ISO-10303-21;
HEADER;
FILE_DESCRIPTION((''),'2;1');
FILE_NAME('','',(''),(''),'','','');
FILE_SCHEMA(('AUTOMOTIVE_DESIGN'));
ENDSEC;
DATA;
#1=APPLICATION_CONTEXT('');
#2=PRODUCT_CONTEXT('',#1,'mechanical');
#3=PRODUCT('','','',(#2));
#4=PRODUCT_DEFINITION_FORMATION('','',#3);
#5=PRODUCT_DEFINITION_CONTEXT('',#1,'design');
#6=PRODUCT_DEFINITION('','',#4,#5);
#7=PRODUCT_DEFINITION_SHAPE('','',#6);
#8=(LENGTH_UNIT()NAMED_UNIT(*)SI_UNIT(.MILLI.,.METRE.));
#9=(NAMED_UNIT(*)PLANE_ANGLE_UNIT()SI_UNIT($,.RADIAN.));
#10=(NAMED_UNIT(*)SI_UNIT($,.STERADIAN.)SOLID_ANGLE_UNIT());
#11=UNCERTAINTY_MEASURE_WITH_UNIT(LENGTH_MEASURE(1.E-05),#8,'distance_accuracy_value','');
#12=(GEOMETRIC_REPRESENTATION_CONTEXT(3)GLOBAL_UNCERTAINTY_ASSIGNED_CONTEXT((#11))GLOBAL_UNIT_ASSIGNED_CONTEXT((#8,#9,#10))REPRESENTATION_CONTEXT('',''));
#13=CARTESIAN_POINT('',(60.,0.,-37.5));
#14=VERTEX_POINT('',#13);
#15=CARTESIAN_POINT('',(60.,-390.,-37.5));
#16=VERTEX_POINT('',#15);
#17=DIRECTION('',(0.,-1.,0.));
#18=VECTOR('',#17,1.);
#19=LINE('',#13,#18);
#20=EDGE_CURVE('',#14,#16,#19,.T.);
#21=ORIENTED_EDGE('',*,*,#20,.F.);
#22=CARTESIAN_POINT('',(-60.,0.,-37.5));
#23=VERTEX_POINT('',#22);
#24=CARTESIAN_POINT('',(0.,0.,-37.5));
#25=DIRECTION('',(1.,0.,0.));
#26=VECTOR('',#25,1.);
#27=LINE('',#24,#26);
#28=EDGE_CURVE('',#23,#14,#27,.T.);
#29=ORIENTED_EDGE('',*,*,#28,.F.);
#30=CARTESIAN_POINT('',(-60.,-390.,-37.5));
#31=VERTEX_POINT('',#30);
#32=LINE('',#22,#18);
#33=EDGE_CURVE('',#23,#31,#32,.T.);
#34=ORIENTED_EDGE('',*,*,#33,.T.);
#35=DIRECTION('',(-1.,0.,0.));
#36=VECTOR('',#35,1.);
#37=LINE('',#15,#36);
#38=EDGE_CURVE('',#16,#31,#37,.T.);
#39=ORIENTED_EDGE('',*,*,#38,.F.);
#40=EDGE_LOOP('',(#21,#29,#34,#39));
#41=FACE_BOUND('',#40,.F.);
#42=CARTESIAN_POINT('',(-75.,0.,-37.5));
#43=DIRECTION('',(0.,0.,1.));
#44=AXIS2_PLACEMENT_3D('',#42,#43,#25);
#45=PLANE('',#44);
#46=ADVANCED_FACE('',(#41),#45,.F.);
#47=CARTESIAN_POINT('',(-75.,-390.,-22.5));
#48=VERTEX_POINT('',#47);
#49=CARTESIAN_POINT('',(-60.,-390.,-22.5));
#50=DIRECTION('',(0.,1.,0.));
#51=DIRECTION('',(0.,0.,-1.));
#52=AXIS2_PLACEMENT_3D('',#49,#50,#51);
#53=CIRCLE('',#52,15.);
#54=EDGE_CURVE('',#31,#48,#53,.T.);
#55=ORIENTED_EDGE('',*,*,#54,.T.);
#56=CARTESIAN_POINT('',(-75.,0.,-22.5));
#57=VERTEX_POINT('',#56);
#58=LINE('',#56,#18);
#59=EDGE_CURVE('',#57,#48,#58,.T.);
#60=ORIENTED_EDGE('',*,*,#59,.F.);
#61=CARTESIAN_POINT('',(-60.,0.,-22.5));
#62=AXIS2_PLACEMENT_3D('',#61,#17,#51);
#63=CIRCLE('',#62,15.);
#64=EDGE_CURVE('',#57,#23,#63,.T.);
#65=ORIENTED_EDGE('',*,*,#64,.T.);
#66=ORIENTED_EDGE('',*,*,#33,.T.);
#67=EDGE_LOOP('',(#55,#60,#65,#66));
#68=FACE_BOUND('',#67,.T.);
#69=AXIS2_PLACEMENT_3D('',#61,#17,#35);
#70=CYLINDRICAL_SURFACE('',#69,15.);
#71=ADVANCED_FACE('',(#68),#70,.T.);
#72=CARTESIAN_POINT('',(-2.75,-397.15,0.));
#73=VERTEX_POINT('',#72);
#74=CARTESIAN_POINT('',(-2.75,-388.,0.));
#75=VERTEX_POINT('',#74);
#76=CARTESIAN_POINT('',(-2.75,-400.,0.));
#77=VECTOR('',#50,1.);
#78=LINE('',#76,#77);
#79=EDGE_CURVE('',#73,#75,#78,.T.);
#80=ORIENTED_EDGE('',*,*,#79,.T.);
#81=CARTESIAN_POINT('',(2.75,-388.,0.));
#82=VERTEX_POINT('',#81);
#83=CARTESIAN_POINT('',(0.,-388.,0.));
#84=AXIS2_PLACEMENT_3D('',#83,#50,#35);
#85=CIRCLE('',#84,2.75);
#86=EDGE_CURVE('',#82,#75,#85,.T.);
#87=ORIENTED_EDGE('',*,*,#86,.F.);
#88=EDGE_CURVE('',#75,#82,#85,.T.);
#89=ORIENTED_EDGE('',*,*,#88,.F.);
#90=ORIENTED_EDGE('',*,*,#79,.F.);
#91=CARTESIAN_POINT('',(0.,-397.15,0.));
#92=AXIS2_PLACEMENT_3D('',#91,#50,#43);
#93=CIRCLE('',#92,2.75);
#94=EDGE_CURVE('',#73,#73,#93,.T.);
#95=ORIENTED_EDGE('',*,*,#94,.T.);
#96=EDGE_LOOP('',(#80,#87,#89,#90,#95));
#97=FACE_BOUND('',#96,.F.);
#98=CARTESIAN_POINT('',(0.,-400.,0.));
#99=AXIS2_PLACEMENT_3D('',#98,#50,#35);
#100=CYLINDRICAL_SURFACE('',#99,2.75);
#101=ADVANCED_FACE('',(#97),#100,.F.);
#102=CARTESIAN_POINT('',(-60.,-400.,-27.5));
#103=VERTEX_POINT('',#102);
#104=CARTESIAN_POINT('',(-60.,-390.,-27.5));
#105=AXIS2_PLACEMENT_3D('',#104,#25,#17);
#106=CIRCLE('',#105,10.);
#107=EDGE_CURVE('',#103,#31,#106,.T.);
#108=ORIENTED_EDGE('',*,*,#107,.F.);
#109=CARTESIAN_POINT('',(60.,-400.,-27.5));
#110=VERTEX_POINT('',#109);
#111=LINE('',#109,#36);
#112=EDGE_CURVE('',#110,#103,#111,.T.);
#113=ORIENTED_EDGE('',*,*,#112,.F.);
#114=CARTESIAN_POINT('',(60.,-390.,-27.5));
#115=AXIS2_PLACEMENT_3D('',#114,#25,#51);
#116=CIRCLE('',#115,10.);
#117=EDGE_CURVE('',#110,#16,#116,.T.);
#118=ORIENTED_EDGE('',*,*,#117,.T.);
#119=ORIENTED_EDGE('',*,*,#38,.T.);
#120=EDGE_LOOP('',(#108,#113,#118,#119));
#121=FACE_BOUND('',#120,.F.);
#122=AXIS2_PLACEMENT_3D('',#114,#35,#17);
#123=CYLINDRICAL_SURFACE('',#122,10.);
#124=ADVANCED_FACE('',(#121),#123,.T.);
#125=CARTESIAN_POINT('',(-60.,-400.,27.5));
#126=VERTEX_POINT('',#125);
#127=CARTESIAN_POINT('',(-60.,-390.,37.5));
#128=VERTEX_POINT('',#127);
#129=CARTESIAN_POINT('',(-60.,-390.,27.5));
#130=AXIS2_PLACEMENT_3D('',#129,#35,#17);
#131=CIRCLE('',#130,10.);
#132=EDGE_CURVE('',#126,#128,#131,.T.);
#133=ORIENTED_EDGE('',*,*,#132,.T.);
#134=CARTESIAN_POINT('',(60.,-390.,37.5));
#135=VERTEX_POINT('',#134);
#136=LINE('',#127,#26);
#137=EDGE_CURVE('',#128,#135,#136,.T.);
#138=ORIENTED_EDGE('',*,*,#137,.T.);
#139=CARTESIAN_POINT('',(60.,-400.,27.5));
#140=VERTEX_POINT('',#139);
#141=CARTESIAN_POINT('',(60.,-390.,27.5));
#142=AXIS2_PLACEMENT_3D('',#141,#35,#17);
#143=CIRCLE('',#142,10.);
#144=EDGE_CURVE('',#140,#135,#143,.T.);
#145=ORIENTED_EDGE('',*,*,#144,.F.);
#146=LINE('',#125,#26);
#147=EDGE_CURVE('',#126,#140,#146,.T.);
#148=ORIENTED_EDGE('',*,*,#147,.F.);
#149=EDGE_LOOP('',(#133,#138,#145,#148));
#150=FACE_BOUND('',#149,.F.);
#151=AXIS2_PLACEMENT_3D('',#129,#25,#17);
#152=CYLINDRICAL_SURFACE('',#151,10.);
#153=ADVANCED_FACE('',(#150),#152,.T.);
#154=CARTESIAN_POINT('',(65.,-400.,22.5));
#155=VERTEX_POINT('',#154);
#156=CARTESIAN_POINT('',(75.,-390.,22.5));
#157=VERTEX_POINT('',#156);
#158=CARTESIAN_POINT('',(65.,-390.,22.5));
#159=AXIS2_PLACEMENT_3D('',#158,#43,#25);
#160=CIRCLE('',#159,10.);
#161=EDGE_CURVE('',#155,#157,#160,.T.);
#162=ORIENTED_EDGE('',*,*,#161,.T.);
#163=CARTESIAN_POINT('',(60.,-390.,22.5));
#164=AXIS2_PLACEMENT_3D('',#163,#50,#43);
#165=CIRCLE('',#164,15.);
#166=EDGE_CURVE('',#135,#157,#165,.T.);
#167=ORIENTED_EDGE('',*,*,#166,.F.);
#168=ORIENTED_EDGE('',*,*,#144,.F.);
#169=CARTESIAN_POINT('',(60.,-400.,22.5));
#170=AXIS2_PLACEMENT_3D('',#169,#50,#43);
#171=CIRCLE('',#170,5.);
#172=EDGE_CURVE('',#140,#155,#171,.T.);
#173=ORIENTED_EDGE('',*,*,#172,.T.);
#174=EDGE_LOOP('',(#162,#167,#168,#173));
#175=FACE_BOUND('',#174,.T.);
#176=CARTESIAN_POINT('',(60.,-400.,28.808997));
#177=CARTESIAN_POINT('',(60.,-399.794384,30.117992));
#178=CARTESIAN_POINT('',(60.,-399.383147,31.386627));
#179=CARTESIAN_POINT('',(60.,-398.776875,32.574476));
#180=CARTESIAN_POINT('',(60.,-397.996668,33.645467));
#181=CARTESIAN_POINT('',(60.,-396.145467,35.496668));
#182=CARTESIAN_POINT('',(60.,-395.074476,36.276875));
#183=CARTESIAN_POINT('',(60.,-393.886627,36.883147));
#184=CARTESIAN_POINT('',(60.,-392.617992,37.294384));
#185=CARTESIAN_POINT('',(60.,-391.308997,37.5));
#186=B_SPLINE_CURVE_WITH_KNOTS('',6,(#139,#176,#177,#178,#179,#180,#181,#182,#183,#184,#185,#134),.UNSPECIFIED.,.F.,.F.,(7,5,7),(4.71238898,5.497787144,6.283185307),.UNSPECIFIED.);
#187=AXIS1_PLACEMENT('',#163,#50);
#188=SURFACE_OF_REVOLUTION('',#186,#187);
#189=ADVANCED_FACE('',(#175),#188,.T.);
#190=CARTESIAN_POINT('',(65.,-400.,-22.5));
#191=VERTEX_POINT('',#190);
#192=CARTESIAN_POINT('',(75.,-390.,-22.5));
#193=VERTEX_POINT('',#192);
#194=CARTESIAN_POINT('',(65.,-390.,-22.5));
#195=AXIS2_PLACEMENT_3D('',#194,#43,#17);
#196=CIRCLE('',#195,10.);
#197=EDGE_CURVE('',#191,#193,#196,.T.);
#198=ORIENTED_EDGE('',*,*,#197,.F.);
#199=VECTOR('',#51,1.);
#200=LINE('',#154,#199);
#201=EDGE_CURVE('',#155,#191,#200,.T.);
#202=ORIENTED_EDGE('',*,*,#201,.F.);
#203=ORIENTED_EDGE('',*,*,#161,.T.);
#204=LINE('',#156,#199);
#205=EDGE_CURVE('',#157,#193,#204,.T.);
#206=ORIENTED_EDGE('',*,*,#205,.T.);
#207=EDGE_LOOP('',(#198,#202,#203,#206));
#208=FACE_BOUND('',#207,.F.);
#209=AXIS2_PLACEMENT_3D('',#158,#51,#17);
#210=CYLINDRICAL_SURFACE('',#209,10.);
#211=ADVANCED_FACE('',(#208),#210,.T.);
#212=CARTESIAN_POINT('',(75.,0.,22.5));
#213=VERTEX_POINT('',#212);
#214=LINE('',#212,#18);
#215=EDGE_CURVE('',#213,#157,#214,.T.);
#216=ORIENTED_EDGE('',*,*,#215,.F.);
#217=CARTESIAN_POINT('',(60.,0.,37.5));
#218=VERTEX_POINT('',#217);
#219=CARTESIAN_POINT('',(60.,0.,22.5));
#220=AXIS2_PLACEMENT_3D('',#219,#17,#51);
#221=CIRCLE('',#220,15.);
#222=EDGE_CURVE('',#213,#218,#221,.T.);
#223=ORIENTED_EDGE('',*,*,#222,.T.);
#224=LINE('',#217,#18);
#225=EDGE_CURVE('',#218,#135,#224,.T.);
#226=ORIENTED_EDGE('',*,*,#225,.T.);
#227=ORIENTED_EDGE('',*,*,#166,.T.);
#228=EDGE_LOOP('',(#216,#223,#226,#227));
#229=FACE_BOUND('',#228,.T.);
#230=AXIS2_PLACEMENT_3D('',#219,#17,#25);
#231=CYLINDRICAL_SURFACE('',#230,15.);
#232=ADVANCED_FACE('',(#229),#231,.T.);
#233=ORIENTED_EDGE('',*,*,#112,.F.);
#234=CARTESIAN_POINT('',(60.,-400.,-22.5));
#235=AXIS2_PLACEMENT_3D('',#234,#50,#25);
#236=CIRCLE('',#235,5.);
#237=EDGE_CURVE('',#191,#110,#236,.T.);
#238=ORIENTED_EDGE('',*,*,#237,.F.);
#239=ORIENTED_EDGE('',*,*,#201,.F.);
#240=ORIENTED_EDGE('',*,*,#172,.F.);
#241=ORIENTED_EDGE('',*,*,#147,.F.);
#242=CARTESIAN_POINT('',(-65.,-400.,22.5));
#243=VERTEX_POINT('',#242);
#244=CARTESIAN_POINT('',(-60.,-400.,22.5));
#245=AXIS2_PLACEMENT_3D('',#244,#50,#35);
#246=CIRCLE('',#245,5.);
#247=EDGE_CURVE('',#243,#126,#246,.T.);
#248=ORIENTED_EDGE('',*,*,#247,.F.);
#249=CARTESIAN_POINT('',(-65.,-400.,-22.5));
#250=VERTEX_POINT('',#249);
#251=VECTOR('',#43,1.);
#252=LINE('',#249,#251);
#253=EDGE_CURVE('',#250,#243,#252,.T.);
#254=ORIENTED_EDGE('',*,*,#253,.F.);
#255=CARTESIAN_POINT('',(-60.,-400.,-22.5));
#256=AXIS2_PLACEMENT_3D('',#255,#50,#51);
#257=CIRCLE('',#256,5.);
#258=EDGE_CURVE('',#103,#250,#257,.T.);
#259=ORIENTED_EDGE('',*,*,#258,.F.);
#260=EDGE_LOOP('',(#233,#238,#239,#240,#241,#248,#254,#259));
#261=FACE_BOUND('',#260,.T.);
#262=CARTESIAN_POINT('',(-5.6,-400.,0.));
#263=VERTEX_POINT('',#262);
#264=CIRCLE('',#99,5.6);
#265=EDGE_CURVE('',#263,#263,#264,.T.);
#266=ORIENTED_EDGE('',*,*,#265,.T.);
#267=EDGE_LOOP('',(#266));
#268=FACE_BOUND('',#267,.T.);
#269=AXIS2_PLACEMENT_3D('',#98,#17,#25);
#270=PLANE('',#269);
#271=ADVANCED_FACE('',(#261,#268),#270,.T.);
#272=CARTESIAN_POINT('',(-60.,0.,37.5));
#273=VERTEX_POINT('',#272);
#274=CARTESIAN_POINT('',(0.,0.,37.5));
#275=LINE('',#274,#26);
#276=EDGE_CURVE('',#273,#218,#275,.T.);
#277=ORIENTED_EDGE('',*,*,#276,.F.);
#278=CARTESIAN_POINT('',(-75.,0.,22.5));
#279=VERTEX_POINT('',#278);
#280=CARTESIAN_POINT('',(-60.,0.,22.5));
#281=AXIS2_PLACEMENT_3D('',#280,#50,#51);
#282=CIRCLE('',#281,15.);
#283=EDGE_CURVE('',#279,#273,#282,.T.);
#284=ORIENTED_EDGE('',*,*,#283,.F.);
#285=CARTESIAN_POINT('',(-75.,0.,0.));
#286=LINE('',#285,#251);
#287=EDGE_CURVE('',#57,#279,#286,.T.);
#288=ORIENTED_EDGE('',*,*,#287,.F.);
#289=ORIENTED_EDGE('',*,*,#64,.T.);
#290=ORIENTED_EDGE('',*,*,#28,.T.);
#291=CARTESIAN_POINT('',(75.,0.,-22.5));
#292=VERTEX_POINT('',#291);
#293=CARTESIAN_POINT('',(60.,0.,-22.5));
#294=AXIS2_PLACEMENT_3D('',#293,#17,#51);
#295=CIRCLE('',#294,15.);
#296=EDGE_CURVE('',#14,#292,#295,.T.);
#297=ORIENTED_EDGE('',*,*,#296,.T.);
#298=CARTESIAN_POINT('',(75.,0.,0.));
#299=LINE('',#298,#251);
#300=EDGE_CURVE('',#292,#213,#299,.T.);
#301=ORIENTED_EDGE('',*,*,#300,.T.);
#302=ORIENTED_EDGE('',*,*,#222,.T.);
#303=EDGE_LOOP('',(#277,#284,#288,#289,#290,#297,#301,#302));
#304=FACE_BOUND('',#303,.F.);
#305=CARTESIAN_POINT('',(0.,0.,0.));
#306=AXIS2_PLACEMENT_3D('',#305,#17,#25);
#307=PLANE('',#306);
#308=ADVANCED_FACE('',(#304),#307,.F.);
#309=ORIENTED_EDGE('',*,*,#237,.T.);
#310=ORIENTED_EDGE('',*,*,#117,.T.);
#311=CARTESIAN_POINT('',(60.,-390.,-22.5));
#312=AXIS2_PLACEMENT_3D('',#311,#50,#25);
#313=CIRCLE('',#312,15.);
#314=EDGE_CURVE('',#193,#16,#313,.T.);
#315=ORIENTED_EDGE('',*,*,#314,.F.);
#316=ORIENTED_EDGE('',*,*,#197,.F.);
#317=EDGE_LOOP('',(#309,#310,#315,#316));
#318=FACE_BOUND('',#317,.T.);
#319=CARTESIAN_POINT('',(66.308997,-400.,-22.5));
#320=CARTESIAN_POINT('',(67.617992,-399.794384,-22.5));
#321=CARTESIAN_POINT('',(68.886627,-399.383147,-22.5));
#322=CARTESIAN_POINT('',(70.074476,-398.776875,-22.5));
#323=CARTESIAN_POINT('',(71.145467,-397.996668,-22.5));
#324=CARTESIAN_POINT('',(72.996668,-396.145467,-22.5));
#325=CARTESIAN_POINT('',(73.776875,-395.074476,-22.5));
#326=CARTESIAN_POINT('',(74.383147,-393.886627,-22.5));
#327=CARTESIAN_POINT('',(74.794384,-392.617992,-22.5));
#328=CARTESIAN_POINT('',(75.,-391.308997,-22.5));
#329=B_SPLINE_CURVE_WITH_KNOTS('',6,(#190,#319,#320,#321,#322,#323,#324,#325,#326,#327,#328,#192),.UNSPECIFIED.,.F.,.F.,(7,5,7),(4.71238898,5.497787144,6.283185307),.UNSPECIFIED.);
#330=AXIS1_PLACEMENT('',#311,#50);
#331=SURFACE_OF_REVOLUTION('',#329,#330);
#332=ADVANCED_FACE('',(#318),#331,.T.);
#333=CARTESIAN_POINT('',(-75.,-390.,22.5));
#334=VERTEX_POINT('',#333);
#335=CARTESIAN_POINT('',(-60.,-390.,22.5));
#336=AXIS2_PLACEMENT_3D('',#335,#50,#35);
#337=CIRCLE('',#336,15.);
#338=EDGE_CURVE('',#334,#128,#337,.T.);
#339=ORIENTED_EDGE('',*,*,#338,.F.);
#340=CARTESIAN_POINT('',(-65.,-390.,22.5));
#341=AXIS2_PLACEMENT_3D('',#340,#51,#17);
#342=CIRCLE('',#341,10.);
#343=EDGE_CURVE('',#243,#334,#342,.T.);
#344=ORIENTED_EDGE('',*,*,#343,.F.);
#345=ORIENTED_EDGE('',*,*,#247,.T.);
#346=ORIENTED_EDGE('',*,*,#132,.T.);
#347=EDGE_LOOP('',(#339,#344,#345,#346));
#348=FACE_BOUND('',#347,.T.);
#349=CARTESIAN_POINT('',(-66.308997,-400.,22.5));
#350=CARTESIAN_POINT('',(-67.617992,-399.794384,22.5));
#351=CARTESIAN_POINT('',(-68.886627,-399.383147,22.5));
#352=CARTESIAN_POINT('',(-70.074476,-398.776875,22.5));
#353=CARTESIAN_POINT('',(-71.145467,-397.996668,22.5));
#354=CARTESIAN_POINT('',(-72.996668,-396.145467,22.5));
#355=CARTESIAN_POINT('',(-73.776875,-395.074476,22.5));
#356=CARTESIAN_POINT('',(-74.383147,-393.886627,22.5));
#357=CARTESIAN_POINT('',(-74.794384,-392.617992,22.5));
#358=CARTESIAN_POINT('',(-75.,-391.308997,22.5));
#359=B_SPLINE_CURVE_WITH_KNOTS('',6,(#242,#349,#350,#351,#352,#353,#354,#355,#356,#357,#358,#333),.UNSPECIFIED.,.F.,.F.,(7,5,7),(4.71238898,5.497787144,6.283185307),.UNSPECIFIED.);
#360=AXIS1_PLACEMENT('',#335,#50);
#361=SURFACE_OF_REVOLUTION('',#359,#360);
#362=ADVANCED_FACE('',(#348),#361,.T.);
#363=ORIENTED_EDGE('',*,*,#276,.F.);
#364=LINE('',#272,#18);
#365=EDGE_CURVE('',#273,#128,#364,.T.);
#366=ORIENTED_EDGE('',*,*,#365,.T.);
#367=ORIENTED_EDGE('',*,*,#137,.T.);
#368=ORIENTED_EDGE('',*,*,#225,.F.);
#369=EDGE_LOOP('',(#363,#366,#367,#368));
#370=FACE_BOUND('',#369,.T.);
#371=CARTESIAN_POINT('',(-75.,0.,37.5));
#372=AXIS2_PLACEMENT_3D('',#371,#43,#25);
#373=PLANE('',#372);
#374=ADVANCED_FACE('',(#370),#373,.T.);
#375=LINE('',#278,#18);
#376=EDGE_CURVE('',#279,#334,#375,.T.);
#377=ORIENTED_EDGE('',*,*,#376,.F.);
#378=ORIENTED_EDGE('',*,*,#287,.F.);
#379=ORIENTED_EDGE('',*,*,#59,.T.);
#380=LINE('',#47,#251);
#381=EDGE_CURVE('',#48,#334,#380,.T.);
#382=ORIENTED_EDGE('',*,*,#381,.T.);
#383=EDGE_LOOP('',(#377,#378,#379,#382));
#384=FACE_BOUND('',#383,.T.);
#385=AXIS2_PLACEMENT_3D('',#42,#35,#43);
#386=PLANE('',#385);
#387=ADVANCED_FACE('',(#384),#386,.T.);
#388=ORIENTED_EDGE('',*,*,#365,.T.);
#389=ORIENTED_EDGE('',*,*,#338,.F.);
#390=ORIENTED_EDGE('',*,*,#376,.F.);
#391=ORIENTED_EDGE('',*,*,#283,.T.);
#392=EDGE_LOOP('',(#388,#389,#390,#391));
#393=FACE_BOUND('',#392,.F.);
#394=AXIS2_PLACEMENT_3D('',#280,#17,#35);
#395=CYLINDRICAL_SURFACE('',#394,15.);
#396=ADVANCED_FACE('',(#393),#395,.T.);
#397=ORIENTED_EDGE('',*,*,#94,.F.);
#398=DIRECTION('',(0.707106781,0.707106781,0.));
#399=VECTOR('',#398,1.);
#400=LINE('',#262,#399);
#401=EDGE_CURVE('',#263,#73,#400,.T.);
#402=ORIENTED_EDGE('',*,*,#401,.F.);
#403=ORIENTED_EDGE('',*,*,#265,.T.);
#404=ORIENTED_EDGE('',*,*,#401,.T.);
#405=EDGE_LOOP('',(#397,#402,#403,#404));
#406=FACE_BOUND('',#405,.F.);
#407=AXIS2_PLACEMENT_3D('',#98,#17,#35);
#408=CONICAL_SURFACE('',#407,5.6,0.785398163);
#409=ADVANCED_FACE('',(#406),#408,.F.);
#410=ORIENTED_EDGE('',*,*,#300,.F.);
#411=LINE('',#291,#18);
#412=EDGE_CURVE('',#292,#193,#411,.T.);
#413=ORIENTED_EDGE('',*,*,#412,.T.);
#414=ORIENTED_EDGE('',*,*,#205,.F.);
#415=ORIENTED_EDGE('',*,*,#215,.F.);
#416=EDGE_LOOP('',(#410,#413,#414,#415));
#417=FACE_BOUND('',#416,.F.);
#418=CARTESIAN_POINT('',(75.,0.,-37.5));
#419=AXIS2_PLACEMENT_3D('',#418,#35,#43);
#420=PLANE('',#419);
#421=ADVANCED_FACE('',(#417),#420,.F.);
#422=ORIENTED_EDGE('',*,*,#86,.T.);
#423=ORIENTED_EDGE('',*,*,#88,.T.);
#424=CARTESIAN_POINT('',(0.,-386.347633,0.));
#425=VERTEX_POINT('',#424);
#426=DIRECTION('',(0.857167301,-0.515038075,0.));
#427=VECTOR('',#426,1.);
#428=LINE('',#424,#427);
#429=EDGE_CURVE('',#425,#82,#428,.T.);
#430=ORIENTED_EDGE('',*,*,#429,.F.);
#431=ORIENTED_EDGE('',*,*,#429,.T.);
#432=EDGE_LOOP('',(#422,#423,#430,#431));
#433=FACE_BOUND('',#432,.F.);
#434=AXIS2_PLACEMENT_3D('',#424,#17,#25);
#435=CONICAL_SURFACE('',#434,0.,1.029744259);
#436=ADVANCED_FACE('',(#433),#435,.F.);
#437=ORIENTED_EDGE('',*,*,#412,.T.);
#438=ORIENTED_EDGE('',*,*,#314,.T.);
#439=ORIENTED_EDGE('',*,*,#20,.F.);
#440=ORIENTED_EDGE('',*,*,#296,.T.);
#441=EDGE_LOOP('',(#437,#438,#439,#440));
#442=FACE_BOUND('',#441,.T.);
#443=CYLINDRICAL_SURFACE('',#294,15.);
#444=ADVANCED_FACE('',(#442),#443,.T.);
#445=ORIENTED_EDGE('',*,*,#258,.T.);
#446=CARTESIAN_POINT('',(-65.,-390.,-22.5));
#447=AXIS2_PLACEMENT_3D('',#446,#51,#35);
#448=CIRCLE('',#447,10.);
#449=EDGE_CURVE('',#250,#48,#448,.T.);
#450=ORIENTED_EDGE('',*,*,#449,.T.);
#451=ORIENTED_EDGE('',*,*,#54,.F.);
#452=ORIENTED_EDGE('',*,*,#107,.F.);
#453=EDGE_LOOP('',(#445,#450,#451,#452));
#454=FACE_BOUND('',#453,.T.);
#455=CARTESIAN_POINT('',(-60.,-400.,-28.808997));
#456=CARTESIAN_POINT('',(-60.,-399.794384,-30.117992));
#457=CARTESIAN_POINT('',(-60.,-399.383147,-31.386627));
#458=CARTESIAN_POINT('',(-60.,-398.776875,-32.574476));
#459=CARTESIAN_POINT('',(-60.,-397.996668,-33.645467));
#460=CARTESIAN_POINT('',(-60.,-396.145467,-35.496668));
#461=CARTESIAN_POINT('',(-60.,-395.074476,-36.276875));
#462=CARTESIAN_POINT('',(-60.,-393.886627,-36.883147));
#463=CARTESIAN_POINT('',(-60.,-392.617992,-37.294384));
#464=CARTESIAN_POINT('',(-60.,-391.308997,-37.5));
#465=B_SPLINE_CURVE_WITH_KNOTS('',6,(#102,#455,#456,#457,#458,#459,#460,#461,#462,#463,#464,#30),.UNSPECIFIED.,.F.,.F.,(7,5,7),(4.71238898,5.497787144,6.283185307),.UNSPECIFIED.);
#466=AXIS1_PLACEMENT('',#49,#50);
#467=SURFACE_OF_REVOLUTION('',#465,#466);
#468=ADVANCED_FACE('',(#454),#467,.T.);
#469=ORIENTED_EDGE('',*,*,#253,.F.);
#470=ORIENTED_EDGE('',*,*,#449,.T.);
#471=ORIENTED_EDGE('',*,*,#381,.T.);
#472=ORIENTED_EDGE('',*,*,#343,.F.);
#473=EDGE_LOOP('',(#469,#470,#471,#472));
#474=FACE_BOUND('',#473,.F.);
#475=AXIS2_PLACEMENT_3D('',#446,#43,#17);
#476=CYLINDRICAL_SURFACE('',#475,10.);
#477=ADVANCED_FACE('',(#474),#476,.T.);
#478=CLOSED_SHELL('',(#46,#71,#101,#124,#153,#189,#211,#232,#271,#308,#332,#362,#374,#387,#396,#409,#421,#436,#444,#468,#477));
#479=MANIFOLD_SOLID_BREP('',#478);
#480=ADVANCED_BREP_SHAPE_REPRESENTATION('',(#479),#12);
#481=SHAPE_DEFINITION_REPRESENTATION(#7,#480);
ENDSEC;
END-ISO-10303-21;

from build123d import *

# Parameters (mm, degrees)
F0_W           = 150
F0_H           = 75
F1_DEPTH       = 400
F2_R           = 15
F4_D           = 5.5
F4_DEPTH       = 12
F4_CSINK_D     = 11.2
F4_CSINK_ANGLE = 90
F4_TIP         = 1.6523667023
F5_R           = 10


with BuildPart() as f1:
    # F0 (on Front) → F1 (new body)
    with BuildSketch(Plane.XZ):
        Rectangle(F0_W, F0_H)
    extrude(amount=F1_DEPTH)

    # F2
    f2_edges = [f1.edges().sort_by_distance(p)[0] for p in [
        (75, -200, 37.5),
        (75, -200, -37.5),
        (-75, -200, 37.5),
        (-75, -200, -37.5),
    ]]
    fillet(f2_edges, radius=F2_R)

    # F4
    with Locations(Plane.XZ.offset(400)):
        with Locations((0, 0)):
            CounterSinkHole(F4_D / 2, F4_CSINK_D / 2, depth=F4_DEPTH, counter_sink_angle=F4_CSINK_ANGLE)
            with Locations((0, 0, -(F4_DEPTH + F4_TIP / 2))):  # 118° drill point
                Cone(0, F4_D / 2, F4_TIP, mode=Mode.SUBTRACT)

    # F5
    f5_edges = [f1.edges().sort_by_distance(p)[0] for p in [
        (0, -400, 37.5),
    ]]
    fillet(f5_edges, radius=F5_R)


solid = f1.part
